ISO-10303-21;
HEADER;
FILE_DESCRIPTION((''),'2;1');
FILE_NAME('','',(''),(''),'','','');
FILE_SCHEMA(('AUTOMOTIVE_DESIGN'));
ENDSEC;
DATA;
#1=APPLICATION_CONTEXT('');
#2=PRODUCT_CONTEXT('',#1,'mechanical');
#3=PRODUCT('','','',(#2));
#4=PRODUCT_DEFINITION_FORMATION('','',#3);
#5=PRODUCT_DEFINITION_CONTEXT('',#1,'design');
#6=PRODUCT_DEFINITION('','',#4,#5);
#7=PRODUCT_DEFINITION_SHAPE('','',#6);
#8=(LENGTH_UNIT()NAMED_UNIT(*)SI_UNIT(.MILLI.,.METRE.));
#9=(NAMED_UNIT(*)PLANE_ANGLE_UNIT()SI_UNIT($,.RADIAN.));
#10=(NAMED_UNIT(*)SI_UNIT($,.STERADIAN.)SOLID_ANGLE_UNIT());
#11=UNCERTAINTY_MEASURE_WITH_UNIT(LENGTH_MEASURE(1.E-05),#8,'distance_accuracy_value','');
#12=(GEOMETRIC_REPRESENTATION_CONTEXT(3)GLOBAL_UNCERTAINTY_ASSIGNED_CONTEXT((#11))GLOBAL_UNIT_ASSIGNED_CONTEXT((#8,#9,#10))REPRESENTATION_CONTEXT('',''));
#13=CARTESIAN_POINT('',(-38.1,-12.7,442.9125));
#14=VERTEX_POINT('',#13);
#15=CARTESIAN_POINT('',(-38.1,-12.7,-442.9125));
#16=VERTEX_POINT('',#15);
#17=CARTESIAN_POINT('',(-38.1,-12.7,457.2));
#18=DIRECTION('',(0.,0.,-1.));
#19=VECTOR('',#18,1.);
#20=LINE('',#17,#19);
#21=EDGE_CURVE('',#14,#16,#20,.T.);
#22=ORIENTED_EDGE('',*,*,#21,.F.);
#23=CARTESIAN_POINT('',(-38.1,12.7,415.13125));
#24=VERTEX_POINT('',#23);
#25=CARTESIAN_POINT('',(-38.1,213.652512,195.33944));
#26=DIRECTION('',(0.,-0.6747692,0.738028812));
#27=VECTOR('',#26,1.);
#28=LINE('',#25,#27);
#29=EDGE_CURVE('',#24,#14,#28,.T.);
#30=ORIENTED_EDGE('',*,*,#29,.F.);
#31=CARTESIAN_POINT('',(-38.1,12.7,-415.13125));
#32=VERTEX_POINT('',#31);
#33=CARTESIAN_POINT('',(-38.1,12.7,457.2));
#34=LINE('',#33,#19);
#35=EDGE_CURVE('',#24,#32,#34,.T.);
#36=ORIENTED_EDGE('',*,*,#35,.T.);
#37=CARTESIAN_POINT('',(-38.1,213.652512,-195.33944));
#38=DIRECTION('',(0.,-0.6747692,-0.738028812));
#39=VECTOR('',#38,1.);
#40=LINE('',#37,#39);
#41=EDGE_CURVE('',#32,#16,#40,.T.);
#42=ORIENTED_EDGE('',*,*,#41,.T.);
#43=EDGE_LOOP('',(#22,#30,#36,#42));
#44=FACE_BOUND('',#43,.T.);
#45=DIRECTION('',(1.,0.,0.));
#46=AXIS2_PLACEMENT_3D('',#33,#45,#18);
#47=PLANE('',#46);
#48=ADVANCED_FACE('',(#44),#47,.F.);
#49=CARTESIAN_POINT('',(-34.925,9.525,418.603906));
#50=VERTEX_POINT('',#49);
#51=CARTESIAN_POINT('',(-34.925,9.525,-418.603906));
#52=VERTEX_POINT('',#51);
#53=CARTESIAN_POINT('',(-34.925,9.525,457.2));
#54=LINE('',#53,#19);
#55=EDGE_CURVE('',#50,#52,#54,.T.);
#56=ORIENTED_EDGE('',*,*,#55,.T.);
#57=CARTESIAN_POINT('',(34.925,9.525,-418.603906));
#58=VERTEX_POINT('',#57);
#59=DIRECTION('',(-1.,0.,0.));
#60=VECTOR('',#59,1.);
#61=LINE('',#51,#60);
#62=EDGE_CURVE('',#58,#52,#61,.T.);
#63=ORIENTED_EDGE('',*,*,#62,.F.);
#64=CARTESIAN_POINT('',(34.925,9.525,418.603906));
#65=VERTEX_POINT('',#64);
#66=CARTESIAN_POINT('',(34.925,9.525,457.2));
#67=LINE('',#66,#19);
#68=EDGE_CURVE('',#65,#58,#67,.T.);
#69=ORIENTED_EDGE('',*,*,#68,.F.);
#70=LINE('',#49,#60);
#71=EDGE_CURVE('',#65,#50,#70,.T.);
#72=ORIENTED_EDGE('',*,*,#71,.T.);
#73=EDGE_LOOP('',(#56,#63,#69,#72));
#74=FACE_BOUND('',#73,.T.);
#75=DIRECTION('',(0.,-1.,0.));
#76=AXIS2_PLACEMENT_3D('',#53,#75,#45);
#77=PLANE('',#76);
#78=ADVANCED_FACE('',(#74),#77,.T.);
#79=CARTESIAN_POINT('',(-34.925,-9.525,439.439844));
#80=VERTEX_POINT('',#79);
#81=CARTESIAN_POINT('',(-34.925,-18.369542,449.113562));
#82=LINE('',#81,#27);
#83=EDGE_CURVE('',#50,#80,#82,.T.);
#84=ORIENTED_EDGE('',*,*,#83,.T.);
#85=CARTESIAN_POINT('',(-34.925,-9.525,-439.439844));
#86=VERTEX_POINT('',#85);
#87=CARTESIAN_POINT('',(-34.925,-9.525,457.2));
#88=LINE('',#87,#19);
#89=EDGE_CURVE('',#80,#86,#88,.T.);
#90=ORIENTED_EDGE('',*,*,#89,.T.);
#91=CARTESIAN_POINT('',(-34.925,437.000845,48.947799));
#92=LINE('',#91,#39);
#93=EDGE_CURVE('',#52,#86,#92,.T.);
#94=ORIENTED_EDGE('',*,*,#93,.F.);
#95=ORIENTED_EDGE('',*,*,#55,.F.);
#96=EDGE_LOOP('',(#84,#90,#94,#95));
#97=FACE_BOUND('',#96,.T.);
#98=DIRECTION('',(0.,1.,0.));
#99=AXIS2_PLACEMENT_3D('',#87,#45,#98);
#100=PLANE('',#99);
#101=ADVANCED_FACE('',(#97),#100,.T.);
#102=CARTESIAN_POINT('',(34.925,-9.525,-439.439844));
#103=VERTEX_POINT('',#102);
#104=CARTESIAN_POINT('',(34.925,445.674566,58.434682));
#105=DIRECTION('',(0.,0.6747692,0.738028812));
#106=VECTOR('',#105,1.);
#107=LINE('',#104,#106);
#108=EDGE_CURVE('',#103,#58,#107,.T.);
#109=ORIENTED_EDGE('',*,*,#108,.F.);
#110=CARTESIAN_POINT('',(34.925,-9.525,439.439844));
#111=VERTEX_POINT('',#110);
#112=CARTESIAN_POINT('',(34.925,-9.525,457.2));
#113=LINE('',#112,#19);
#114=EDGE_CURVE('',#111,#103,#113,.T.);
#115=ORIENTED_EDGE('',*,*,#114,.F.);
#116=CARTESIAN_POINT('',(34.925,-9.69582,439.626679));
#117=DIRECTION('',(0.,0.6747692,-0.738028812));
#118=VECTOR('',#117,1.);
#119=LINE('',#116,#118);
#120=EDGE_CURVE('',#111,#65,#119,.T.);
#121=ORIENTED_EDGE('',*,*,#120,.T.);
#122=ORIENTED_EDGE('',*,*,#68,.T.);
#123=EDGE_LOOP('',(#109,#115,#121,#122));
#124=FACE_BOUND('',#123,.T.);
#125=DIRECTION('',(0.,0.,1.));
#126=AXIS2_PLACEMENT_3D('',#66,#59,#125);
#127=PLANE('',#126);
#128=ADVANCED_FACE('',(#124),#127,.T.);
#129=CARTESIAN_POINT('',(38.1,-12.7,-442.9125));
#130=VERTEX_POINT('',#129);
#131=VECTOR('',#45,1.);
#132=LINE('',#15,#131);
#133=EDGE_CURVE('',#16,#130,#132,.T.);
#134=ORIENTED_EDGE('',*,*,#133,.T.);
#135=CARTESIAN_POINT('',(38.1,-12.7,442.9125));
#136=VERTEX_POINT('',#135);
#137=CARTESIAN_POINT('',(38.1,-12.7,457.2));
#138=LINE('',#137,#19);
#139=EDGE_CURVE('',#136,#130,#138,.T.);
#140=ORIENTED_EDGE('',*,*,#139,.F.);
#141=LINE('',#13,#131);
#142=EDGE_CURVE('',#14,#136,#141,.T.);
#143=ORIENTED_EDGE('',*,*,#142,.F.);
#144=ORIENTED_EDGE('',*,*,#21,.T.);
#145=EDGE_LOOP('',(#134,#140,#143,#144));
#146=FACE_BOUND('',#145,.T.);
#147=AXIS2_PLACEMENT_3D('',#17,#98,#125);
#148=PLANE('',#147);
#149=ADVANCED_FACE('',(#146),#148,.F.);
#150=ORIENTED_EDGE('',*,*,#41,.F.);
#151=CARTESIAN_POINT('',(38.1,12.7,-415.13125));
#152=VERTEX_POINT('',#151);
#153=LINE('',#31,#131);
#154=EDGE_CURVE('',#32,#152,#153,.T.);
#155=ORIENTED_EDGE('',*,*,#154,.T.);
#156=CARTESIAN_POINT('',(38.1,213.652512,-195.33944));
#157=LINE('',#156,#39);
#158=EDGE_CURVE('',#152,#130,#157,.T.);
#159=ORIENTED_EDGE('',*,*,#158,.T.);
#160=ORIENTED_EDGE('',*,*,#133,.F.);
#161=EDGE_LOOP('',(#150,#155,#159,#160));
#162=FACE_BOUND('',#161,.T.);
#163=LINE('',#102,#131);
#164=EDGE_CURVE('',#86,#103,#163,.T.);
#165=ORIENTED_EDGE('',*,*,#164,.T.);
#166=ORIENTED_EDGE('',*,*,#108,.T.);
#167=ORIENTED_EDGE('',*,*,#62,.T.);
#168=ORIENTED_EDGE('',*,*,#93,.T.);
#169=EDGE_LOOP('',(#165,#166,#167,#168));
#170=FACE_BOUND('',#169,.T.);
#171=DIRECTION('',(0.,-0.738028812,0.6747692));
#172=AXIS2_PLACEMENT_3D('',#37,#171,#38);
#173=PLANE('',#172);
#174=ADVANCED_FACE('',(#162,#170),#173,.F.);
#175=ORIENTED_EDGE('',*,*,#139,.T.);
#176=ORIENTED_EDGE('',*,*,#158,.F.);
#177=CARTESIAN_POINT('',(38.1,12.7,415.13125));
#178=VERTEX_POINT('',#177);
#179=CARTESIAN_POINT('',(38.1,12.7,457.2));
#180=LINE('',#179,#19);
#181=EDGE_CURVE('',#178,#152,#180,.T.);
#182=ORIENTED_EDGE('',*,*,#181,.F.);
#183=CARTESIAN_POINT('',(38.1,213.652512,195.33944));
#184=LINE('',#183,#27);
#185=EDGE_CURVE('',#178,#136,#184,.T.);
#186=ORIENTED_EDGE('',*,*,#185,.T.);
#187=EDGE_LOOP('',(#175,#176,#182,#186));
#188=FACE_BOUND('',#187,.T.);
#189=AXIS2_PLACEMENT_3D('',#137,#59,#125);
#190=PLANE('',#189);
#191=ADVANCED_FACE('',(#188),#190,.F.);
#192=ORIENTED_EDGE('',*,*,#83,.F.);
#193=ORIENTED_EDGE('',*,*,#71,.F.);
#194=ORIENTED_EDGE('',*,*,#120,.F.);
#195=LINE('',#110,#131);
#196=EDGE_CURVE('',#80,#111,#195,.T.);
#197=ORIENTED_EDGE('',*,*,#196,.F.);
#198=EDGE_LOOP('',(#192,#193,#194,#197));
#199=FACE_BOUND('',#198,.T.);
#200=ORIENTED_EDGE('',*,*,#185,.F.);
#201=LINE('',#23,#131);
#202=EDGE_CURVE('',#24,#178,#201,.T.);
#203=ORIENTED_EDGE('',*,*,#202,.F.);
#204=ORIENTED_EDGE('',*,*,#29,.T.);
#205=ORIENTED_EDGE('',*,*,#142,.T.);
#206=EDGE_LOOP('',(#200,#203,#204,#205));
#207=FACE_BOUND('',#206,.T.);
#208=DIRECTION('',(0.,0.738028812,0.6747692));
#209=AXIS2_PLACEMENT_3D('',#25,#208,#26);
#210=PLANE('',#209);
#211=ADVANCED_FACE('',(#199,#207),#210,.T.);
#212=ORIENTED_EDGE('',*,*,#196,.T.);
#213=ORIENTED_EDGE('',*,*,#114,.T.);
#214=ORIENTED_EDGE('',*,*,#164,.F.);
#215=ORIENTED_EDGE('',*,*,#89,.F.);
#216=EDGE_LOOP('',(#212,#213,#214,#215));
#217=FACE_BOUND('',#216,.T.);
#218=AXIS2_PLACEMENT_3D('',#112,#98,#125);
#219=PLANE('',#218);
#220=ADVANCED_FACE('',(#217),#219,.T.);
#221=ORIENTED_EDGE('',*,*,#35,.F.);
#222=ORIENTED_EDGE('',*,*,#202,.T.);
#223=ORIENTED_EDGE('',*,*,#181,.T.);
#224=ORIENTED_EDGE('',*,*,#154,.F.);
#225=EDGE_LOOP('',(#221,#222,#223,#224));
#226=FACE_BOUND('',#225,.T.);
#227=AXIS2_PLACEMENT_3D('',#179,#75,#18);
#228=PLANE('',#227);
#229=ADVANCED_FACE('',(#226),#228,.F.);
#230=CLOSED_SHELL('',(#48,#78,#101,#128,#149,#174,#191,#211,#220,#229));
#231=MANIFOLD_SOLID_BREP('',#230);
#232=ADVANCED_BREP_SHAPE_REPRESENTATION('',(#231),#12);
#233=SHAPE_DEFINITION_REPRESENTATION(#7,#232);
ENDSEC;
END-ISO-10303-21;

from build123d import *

# Parameters (mm, degrees)
SKETCH3_W           = 76.2
SKETCH3_H           = 25.4
SKETCH3_W_2         = 69.85
SKETCH3_H_2         = 19.05
BOSS_EXTRUDE1_DEPTH = 457.2
SKETCH4_W           = 14.2875
SKETCH4_H           = 25.4
CUT_EXTRUDE1_DEPTH  = 464.680461094


with BuildPart() as part:
    # Sketch3 → Boss-Extrude1 (new, symmetric)
    with BuildSketch(Plane.XY):
        Rectangle(SKETCH3_W, SKETCH3_H)
        Rectangle(SKETCH3_W_2, SKETCH3_H_2, mode=Mode.SUBTRACT)
    extrude(amount=BOSS_EXTRUDE1_DEPTH, both=True)

    # Sketch4 → Cut-Extrude1 (cut, through all)
    with BuildSketch(Plane(origin=(38.1, 0, 0), x_dir=(0, 0, -1), z_dir=(1, 0, 0))):
        with Locations((-450.05625, 0)):
            Rectangle(SKETCH4_W, SKETCH4_H)
        Polygon((-442.9125, -12.7), (-415.13125, 12.7), (-442.9125, 12.7), align=None)
        with Locations((450.05625, 0)):
            Rectangle(SKETCH4_W, SKETCH4_H)
        Polygon((442.9125, -12.7), (442.9125, 12.7), (415.13125, 12.7), align=None)
    extrude(amount=-CUT_EXTRUDE1_DEPTH, mode=Mode.SUBTRACT)


solid = part.part
